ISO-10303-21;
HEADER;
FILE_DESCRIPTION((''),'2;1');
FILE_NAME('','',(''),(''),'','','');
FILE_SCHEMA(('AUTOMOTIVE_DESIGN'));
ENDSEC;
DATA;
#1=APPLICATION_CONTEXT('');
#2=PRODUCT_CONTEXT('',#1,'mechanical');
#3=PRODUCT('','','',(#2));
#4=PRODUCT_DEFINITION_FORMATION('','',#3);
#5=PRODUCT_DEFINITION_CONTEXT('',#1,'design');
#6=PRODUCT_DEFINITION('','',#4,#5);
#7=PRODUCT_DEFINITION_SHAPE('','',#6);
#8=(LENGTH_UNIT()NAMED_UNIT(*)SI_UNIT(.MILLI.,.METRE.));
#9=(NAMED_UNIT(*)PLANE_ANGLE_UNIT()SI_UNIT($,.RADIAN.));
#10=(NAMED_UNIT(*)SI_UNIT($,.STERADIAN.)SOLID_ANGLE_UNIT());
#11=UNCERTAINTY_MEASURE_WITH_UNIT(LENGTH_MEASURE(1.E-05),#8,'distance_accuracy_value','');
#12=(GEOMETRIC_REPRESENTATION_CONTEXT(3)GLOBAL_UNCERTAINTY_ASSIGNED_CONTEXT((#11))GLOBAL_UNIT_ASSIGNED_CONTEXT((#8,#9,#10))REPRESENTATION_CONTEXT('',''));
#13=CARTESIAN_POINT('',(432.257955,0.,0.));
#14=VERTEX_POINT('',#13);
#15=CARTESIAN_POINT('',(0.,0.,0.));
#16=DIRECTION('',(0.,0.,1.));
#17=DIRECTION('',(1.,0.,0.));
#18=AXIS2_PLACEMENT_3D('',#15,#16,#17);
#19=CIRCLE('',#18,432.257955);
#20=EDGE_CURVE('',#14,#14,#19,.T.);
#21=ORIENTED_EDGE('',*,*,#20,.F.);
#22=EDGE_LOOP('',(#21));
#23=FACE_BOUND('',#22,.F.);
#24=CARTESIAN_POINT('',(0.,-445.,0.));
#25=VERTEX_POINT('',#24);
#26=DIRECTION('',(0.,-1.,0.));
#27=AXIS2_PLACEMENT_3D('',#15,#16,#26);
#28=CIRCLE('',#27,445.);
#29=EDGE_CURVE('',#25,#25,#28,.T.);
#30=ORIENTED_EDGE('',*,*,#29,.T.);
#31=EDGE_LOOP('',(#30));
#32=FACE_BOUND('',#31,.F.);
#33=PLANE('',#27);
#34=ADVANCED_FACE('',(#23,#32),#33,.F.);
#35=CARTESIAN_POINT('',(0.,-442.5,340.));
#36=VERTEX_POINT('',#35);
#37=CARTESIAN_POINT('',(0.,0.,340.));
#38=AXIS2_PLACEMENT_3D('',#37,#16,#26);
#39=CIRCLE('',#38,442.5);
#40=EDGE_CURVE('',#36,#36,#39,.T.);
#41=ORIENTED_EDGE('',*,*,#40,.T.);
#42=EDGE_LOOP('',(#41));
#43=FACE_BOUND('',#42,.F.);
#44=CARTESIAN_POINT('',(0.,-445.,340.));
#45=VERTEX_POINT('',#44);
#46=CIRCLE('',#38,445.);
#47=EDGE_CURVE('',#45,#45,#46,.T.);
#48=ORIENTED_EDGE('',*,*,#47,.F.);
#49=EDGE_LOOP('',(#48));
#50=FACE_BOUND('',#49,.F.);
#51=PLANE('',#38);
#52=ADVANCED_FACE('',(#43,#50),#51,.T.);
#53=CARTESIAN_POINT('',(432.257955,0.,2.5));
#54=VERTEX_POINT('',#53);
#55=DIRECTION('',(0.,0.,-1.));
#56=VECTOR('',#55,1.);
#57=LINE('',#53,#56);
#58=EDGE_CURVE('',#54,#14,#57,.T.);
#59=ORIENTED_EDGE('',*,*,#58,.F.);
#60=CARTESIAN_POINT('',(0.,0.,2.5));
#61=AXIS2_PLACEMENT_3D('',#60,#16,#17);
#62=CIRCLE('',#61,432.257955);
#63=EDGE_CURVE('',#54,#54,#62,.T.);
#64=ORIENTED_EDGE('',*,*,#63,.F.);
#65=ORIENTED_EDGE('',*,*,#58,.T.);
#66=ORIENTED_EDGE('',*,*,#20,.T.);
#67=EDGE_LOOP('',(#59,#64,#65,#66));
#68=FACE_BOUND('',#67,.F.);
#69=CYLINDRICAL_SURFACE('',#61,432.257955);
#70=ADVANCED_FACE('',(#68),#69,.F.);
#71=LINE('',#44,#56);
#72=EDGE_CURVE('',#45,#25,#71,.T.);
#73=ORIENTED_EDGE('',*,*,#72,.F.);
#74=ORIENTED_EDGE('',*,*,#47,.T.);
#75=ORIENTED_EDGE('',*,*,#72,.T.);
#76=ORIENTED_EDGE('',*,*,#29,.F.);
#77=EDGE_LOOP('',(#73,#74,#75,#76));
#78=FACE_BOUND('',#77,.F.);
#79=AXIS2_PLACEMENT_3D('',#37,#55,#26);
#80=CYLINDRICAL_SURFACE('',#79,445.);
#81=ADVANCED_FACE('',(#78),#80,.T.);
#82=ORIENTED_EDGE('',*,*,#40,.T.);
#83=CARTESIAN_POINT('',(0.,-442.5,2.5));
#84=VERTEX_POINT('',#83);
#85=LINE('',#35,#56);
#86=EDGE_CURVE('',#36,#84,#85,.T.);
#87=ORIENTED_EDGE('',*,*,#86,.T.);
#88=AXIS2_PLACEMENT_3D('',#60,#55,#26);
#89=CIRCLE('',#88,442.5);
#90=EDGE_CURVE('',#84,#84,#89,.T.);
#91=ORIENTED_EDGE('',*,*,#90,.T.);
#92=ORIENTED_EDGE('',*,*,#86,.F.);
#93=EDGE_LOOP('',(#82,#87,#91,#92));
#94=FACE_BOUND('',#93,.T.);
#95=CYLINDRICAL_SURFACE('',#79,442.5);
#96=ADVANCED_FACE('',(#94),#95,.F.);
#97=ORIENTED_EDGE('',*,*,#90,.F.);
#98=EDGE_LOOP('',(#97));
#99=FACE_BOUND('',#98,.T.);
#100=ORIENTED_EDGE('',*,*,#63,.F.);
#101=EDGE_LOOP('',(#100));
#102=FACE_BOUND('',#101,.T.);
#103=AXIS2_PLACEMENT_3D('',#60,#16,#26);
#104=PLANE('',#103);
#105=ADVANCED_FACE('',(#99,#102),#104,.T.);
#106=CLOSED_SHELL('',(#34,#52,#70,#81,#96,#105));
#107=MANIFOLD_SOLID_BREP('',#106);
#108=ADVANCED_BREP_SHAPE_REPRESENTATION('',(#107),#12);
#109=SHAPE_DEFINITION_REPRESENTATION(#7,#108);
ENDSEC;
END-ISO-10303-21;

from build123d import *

# Parameters (mm, degrees)
F0_W     = 100
F0_H     = 50
F2_T     = -2.5
F3_R     = 432.257955
F4_DEPTH = 2.501


with BuildPart() as f1:
    # F0 (on Right) → F1 (revolve)
    with BuildSketch(Plane.YZ):
        Polygon((-220, 0), (0, 0), (0, 340), (-445, 340), (-445, 0), (-320, 0), (-320, 50), (-220, 50), align=None)
        with Locations((-270, 25)):
            Rectangle(F0_W, F0_H)
    revolve(axis=Axis((0, 0, 170), (0, 0, 1)))

    # F2
    f2_openings = [f1.faces().sort_by_distance(p)[0] for p in [
        (0, 0, 340),
    ]]
    offset(amount=F2_T, openings=f2_openings)

    # F3 (on face) → F4 (cut, through all)
    with BuildSketch(Plane.XY.offset(2.5)):
        Circle(F3_R)
    extrude(amount=-F4_DEPTH, mode=Mode.SUBTRACT)


solid = f1.part
